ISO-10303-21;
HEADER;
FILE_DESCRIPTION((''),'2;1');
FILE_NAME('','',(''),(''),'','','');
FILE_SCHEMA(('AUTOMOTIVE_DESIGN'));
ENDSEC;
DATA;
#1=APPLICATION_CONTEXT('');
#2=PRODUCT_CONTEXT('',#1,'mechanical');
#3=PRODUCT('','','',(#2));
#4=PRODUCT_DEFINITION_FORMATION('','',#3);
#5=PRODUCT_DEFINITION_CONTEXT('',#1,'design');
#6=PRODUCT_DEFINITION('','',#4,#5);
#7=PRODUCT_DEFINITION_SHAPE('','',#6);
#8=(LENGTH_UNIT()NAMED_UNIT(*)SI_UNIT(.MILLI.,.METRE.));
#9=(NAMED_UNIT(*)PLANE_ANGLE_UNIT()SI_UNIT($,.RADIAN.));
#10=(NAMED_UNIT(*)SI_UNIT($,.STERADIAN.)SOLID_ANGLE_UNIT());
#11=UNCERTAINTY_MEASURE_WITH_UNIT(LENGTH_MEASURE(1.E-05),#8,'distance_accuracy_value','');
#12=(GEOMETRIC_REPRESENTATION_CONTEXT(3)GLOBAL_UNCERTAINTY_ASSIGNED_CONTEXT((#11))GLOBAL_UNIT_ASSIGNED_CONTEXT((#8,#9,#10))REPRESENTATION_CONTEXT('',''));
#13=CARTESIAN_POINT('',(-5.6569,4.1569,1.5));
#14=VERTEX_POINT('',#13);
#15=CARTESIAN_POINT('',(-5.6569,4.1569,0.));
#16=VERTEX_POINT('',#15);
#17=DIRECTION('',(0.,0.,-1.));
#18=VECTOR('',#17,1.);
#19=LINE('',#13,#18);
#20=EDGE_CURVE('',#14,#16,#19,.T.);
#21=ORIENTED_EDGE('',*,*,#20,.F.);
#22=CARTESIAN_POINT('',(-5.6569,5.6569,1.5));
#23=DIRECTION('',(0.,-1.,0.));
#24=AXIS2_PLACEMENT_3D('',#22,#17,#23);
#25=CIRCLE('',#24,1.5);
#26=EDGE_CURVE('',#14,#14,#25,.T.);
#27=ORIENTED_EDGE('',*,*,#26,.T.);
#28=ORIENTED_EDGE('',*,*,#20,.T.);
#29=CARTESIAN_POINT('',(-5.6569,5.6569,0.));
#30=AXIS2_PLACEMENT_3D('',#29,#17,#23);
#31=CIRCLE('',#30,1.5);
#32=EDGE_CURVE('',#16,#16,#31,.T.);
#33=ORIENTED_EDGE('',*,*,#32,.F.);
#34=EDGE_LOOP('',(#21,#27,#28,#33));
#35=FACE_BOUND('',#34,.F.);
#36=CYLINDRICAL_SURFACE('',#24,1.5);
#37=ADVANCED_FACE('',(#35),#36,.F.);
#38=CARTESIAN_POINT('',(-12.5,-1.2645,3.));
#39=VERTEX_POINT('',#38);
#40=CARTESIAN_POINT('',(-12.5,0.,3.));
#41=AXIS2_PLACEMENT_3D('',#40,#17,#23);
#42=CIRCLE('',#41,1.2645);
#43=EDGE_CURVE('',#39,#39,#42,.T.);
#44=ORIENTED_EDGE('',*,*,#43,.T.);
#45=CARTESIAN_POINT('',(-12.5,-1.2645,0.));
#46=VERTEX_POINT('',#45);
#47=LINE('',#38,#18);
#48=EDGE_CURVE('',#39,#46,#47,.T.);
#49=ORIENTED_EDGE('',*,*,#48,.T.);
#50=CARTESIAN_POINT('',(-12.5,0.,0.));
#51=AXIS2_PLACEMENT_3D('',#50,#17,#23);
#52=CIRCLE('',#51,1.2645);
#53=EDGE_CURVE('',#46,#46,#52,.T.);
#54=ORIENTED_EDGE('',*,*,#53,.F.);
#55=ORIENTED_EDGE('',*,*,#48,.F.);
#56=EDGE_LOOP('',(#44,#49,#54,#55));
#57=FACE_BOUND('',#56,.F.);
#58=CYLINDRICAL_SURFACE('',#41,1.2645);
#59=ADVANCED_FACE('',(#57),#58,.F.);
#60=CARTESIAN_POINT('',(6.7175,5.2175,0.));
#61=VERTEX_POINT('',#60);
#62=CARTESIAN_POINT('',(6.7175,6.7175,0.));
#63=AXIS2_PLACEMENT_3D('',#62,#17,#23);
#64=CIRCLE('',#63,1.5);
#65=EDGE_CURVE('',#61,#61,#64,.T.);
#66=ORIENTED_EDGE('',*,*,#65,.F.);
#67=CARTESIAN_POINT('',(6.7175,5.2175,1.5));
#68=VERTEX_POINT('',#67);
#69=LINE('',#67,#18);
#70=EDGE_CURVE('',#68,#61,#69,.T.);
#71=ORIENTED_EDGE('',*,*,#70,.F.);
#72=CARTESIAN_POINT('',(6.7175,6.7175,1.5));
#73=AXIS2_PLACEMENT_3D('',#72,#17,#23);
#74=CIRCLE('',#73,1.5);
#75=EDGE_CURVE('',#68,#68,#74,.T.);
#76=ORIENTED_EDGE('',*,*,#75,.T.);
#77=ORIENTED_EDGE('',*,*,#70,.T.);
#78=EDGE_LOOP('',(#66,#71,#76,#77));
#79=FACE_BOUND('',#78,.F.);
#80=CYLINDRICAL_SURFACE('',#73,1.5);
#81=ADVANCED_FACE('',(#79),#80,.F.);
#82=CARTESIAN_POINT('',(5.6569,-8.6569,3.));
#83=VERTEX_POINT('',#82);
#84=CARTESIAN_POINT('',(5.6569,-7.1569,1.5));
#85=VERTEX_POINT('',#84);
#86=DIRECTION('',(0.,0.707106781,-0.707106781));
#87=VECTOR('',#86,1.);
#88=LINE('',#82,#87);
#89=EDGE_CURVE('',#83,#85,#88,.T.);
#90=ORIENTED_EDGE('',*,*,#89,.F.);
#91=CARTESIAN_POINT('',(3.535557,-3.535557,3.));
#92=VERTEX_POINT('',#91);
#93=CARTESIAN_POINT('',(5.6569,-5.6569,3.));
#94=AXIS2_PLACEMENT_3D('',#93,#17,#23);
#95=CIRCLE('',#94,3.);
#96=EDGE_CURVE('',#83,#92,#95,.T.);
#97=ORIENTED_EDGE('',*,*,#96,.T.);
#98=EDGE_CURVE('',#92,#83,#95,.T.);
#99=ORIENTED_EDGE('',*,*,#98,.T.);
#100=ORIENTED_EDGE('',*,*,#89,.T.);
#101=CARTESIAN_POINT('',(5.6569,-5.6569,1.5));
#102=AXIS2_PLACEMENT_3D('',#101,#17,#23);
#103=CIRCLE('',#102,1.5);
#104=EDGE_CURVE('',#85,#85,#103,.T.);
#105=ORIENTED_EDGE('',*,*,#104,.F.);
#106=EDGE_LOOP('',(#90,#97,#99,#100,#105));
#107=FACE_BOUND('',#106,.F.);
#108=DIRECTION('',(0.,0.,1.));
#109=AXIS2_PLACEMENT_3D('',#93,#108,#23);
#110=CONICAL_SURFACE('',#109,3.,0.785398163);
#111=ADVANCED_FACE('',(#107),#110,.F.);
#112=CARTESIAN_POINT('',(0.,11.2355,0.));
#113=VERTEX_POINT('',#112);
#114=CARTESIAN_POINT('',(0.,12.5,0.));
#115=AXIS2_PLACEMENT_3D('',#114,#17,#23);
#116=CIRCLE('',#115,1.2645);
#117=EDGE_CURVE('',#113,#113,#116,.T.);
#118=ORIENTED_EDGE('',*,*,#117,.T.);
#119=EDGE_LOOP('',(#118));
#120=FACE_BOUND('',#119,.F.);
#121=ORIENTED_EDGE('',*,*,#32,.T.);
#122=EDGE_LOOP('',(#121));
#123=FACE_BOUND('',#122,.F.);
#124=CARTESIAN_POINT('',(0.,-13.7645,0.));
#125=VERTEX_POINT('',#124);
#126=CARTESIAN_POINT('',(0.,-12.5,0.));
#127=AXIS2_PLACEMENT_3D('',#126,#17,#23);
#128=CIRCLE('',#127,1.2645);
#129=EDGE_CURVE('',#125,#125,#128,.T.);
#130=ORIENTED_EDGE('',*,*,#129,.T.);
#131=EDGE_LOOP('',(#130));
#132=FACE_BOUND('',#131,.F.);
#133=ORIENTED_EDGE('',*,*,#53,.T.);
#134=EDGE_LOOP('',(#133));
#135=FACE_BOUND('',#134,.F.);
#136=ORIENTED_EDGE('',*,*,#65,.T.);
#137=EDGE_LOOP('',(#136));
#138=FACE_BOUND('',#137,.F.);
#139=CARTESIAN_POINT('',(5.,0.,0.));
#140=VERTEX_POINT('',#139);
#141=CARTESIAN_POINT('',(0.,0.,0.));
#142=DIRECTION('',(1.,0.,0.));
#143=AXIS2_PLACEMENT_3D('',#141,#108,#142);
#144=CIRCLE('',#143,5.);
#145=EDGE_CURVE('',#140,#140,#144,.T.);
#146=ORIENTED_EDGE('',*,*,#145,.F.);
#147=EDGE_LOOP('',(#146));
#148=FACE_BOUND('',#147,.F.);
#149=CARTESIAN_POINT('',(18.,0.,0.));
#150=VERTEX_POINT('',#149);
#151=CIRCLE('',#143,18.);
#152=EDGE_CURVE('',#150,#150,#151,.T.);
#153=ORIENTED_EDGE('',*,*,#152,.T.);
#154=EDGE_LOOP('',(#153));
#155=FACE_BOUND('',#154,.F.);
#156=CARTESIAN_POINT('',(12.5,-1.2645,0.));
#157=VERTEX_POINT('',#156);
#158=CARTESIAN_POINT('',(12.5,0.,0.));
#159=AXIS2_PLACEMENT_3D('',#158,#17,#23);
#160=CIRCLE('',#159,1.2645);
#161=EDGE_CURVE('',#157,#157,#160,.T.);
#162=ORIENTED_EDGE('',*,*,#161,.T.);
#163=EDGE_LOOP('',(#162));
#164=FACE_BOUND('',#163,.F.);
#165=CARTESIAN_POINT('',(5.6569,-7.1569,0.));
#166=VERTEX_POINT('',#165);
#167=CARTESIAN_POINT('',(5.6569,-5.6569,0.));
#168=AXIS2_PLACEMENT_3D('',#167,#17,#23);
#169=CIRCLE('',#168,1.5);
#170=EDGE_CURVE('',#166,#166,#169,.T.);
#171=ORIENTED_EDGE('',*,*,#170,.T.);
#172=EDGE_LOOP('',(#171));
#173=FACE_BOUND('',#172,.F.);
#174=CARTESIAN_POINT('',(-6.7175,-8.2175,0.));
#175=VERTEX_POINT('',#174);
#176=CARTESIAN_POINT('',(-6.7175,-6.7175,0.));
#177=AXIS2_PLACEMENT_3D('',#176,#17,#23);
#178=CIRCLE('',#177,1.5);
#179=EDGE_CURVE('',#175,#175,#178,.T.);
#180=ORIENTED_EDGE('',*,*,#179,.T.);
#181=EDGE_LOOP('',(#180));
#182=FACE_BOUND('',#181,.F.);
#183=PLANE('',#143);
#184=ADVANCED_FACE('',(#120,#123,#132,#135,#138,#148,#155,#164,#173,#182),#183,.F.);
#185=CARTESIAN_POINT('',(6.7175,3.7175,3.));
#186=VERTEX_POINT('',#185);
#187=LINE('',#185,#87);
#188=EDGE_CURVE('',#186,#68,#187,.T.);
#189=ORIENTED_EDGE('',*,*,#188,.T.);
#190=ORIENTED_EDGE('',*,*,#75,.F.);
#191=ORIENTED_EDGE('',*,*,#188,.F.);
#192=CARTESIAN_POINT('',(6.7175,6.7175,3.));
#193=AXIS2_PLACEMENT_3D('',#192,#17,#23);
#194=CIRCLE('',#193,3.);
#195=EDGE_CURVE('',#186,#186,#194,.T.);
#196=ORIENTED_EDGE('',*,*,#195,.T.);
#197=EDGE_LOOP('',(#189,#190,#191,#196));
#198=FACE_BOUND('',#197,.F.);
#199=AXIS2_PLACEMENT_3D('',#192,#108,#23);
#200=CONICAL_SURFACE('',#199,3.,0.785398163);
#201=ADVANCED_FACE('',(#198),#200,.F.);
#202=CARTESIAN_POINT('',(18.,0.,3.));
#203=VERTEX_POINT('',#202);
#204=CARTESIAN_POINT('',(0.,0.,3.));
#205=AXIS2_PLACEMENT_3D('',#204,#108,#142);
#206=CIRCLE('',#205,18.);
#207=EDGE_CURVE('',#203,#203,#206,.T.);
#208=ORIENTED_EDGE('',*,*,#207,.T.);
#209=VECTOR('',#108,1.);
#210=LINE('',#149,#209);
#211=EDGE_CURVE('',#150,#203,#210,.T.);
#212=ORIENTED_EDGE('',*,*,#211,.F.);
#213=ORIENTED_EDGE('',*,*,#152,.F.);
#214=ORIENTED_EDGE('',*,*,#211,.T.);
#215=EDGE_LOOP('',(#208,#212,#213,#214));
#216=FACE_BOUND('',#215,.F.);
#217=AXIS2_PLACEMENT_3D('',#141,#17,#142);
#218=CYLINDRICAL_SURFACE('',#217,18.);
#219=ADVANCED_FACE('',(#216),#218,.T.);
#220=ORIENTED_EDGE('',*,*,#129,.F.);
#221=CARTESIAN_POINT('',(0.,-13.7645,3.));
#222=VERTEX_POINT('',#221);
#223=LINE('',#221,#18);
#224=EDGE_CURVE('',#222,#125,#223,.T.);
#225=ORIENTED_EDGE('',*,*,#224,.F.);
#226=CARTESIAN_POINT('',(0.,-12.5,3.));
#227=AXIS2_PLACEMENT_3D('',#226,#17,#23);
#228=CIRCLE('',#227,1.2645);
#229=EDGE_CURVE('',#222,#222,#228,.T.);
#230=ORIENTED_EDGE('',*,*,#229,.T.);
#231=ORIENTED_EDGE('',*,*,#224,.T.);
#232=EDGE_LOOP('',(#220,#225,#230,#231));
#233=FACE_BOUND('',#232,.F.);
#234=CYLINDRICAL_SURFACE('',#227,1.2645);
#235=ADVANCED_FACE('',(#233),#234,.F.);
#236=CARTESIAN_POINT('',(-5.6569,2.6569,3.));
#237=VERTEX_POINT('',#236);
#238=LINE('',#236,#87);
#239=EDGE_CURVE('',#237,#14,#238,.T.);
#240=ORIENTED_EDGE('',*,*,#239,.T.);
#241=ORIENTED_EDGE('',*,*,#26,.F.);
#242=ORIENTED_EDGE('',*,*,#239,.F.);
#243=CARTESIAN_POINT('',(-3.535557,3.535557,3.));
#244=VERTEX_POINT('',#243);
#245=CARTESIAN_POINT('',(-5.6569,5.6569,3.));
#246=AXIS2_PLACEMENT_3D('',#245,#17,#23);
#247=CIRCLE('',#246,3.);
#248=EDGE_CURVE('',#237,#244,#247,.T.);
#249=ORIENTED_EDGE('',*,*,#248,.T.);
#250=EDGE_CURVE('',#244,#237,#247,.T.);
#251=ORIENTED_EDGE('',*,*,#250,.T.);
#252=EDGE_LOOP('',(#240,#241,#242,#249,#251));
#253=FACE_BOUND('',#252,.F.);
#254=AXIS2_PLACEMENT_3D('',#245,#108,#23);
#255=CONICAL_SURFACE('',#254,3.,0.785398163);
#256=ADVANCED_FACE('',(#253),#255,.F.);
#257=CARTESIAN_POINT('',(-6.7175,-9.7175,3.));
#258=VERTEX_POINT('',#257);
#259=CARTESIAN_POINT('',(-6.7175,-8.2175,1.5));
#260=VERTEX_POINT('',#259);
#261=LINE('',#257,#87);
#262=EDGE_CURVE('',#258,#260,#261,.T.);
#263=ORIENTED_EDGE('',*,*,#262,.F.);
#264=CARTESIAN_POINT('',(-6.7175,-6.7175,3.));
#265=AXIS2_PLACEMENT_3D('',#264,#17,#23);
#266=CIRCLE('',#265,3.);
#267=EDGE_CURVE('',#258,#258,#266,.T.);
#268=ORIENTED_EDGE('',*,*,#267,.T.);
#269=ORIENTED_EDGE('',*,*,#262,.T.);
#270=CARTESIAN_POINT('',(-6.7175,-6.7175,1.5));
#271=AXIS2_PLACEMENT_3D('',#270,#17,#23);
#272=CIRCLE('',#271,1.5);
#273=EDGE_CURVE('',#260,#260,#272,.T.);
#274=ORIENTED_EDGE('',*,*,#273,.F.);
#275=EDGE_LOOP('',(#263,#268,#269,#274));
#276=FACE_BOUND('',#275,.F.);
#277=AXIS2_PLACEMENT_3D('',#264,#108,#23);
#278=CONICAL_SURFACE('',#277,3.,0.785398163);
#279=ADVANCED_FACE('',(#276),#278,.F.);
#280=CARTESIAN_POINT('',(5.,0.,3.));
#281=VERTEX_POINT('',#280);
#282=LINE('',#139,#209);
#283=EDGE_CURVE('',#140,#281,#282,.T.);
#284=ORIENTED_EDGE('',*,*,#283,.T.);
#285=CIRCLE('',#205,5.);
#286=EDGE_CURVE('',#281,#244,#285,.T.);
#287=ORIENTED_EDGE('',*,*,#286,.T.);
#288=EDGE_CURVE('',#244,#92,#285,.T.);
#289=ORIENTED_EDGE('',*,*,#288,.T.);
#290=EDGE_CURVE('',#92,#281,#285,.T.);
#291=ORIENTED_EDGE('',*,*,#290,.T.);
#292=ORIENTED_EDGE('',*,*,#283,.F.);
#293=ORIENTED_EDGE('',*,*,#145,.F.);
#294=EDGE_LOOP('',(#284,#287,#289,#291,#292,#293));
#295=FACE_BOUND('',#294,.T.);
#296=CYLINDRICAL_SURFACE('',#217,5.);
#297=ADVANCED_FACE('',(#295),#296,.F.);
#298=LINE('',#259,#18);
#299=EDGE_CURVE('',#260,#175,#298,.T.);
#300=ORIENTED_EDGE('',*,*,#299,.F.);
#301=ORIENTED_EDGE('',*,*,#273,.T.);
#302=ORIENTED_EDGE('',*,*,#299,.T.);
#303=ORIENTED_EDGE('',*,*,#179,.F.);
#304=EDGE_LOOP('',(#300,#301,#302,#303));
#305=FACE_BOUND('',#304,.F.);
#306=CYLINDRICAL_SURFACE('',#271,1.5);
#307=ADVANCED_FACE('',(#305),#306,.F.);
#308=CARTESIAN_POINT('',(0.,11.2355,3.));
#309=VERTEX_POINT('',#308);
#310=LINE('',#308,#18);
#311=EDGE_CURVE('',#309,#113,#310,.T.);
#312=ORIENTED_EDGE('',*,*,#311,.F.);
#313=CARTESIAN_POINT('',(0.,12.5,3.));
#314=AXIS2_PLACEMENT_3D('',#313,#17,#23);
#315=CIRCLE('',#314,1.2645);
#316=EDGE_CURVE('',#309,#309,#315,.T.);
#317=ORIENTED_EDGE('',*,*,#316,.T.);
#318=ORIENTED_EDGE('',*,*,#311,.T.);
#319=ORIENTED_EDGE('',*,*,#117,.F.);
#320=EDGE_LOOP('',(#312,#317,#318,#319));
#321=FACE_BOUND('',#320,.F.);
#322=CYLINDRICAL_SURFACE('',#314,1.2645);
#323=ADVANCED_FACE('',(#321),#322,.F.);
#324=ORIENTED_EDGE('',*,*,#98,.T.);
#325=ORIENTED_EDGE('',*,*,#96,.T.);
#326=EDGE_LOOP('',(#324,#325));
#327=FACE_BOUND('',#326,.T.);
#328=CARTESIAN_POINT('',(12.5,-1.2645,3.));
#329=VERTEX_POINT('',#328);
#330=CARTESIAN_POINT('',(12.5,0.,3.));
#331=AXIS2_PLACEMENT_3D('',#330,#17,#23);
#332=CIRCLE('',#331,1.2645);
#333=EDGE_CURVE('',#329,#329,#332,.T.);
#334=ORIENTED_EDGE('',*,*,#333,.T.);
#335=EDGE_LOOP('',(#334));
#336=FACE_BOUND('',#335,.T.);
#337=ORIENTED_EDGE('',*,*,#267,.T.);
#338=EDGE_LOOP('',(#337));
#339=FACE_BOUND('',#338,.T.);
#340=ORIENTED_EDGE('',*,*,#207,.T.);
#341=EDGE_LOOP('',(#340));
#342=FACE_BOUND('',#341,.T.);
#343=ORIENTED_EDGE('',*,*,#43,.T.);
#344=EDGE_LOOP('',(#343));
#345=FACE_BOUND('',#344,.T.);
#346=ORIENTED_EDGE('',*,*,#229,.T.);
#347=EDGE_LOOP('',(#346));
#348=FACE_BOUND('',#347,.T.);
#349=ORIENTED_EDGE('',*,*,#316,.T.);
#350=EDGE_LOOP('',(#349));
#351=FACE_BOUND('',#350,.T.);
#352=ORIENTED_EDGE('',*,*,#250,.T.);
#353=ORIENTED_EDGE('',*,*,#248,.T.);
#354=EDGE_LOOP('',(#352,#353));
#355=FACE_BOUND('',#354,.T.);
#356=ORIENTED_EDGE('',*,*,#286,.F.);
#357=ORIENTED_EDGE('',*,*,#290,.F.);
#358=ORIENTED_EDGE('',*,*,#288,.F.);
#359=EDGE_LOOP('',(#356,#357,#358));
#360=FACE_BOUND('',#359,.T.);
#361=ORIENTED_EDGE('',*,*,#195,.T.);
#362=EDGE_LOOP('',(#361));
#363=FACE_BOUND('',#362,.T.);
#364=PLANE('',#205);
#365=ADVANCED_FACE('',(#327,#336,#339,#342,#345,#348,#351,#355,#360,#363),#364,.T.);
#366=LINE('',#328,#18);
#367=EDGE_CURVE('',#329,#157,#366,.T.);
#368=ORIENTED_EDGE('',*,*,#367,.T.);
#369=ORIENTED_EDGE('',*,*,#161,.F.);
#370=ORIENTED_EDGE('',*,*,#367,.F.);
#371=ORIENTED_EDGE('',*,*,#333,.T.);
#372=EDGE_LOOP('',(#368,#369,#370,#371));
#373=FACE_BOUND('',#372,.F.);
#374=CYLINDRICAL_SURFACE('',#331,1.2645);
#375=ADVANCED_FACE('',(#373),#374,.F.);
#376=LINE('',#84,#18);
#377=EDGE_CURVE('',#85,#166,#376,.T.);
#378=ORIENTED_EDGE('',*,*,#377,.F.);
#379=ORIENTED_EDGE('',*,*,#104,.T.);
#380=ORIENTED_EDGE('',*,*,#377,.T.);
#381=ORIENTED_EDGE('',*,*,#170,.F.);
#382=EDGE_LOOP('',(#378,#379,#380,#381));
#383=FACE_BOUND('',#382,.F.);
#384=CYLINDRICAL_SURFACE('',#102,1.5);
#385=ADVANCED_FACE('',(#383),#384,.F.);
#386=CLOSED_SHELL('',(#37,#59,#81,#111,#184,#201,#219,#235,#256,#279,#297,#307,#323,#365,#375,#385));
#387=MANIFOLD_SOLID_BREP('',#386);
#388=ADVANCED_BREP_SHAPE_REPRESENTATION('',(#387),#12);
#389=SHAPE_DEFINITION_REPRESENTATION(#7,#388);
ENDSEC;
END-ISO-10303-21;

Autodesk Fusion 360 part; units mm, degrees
sketch "草图1" plane through (0, 0, 0) normal (0, 0, 1) x (1, 0, 0)
  line L0 (0, 0) -> (51.8, 0) construction
  line L1 (0, 0) -> (0, 48.8683) construction
  circle A0 centre (0, 0) radius 18
  circle A1 centre (0, 0) radius 5
  line L2 (0, 0) -> (20.6611, 20.6611) construction
  line L3 (0, 0) -> (29.2192, 0) construction
  line L4 (0, 0) -> (15.4724, -15.4724) construction
  line L5 (0, 0) -> (21.8812, 0) construction
  point P0 (6.7175, 6.7175)
  point P1 (5.6569, -5.6569)
  point P2 (-6.7175, -6.7175)
  point P3 (-5.6569, 5.6569)
  point P4 (12.5, 0)
  point P5 (-12.5, 0)
  point P6 (0, -12.5)
  point P7 (0, 12.5)
  dimension "d1" = 36
  dimension "d2" = 10
  dimension "d3" = 45
  dimension "d4" = 45
  dimension "d5" = 9.5
  dimension "d6" = 8
  dimension "d7" = 12.5
extrude "拉伸1" add sketch "草图1" along normal blind 3
sketch "草图3" plane through (0, 0, 3) normal (0, 0, 1) x (-1, 0, 0)
  circle A0 centre (0, 0) radius 5
  circle A1 centre (0, 0) radius 18
  line L0 (0, 0) -> (-31, 0) construction
  line L1 (0, 0) -> (17.0073, -17.0073) construction
  line L2 (0, 0) -> (27.2176, 0) construction
  line L3 (0, 0) -> (-13.435, -13.435) construction
  point P0 (-6.7175, -6.7175)
  point P1 (5.6569, -5.6569)
  point P2 (6.7175, 6.7175)
  point P3 (-5.6569, 5.6569)
  dimension "d10" = 45
  dimension "d11" = 45
  dimension "d12" = 9.5
  dimension "d13" = 8
hole "孔1" at (6.7175, 6.7175, 3) at (-5.6569, 5.6569, 3) at (-6.7175, -6.7175, 3) at (5.6569, -5.6569, 3) direction (0, 0, -1) diameter 3 depth 5 tip angle 118 countersink diameter 6 countersink angle 90
sketch "草图4" plane through (0, 0, 3) normal (0, 0, 1) x (-1, 0, 0)
  circle A0 centre (0, 0) radius 18
  arc A1 (3.5355, -3.5355) -> (-3.5355, 3.5355) centre (0, 0) ccw
  circle A2 centre (5.6569, -5.6569) radius 3
  arc A3 (-3.5355, 3.5355) -> (3.5355, -3.5355) centre (0, 0) ccw
  circle A4 centre (-5.6569, 5.6569) radius 3
  circle A5 centre (-6.7175, -6.7175) radius 3
  circle A6 centre (6.7175, 6.7175) radius 3
  line L0 (0, 0) -> (-28, 0) construction
  line L1 (0, 0) -> (0, -25) construction
  line L2 (0, 0) -> (-17, -17) construction
  point P0 (0, -12.5)
  point P1 (0, 12.5)
  point P2 (-12.5, 0)
  point P3 (12.5, 0)
  dimension "d19" = 12.5
  dimension "d20" = 45
hole "孔2" at (0, 12.5, 3) at (-12.5, 0, 3) at (0, -12.5, 3) at (12.5, 0, 3) direction (0, 0, -1) diameter 2.529 depth 5 tip angle 118
sketch "草图5" plane through (0, 0, 0) normal (0, 0, -1) x (1, 0, 0)
  circle A0 centre (0, 12.5) radius 1.2645
  circle A1 centre (0, -12.5) radius 1.2645
  circle A2 centre (-12.5, 0) radius 1.2645
  circle A3 centre (12.5, 0) radius 1.2645
  circle A4 centre (-6.7175, 6.7175) radius 1.5
  circle A5 centre (6.7175, -6.7175) radius 1.5
  circle A6 centre (-5.6569, -5.6569) radius 1.5
  circle A7 centre (5.6569, 5.6569) radius 1.5
  circle A8 centre (0, 0) radius 5
  circle A9 centre (0, 0) radius 18
equation "d7 = ( 25 / 2 ) * 1 mm"
equation "d19 = ( 25 / 2 ) * 1 mm"
